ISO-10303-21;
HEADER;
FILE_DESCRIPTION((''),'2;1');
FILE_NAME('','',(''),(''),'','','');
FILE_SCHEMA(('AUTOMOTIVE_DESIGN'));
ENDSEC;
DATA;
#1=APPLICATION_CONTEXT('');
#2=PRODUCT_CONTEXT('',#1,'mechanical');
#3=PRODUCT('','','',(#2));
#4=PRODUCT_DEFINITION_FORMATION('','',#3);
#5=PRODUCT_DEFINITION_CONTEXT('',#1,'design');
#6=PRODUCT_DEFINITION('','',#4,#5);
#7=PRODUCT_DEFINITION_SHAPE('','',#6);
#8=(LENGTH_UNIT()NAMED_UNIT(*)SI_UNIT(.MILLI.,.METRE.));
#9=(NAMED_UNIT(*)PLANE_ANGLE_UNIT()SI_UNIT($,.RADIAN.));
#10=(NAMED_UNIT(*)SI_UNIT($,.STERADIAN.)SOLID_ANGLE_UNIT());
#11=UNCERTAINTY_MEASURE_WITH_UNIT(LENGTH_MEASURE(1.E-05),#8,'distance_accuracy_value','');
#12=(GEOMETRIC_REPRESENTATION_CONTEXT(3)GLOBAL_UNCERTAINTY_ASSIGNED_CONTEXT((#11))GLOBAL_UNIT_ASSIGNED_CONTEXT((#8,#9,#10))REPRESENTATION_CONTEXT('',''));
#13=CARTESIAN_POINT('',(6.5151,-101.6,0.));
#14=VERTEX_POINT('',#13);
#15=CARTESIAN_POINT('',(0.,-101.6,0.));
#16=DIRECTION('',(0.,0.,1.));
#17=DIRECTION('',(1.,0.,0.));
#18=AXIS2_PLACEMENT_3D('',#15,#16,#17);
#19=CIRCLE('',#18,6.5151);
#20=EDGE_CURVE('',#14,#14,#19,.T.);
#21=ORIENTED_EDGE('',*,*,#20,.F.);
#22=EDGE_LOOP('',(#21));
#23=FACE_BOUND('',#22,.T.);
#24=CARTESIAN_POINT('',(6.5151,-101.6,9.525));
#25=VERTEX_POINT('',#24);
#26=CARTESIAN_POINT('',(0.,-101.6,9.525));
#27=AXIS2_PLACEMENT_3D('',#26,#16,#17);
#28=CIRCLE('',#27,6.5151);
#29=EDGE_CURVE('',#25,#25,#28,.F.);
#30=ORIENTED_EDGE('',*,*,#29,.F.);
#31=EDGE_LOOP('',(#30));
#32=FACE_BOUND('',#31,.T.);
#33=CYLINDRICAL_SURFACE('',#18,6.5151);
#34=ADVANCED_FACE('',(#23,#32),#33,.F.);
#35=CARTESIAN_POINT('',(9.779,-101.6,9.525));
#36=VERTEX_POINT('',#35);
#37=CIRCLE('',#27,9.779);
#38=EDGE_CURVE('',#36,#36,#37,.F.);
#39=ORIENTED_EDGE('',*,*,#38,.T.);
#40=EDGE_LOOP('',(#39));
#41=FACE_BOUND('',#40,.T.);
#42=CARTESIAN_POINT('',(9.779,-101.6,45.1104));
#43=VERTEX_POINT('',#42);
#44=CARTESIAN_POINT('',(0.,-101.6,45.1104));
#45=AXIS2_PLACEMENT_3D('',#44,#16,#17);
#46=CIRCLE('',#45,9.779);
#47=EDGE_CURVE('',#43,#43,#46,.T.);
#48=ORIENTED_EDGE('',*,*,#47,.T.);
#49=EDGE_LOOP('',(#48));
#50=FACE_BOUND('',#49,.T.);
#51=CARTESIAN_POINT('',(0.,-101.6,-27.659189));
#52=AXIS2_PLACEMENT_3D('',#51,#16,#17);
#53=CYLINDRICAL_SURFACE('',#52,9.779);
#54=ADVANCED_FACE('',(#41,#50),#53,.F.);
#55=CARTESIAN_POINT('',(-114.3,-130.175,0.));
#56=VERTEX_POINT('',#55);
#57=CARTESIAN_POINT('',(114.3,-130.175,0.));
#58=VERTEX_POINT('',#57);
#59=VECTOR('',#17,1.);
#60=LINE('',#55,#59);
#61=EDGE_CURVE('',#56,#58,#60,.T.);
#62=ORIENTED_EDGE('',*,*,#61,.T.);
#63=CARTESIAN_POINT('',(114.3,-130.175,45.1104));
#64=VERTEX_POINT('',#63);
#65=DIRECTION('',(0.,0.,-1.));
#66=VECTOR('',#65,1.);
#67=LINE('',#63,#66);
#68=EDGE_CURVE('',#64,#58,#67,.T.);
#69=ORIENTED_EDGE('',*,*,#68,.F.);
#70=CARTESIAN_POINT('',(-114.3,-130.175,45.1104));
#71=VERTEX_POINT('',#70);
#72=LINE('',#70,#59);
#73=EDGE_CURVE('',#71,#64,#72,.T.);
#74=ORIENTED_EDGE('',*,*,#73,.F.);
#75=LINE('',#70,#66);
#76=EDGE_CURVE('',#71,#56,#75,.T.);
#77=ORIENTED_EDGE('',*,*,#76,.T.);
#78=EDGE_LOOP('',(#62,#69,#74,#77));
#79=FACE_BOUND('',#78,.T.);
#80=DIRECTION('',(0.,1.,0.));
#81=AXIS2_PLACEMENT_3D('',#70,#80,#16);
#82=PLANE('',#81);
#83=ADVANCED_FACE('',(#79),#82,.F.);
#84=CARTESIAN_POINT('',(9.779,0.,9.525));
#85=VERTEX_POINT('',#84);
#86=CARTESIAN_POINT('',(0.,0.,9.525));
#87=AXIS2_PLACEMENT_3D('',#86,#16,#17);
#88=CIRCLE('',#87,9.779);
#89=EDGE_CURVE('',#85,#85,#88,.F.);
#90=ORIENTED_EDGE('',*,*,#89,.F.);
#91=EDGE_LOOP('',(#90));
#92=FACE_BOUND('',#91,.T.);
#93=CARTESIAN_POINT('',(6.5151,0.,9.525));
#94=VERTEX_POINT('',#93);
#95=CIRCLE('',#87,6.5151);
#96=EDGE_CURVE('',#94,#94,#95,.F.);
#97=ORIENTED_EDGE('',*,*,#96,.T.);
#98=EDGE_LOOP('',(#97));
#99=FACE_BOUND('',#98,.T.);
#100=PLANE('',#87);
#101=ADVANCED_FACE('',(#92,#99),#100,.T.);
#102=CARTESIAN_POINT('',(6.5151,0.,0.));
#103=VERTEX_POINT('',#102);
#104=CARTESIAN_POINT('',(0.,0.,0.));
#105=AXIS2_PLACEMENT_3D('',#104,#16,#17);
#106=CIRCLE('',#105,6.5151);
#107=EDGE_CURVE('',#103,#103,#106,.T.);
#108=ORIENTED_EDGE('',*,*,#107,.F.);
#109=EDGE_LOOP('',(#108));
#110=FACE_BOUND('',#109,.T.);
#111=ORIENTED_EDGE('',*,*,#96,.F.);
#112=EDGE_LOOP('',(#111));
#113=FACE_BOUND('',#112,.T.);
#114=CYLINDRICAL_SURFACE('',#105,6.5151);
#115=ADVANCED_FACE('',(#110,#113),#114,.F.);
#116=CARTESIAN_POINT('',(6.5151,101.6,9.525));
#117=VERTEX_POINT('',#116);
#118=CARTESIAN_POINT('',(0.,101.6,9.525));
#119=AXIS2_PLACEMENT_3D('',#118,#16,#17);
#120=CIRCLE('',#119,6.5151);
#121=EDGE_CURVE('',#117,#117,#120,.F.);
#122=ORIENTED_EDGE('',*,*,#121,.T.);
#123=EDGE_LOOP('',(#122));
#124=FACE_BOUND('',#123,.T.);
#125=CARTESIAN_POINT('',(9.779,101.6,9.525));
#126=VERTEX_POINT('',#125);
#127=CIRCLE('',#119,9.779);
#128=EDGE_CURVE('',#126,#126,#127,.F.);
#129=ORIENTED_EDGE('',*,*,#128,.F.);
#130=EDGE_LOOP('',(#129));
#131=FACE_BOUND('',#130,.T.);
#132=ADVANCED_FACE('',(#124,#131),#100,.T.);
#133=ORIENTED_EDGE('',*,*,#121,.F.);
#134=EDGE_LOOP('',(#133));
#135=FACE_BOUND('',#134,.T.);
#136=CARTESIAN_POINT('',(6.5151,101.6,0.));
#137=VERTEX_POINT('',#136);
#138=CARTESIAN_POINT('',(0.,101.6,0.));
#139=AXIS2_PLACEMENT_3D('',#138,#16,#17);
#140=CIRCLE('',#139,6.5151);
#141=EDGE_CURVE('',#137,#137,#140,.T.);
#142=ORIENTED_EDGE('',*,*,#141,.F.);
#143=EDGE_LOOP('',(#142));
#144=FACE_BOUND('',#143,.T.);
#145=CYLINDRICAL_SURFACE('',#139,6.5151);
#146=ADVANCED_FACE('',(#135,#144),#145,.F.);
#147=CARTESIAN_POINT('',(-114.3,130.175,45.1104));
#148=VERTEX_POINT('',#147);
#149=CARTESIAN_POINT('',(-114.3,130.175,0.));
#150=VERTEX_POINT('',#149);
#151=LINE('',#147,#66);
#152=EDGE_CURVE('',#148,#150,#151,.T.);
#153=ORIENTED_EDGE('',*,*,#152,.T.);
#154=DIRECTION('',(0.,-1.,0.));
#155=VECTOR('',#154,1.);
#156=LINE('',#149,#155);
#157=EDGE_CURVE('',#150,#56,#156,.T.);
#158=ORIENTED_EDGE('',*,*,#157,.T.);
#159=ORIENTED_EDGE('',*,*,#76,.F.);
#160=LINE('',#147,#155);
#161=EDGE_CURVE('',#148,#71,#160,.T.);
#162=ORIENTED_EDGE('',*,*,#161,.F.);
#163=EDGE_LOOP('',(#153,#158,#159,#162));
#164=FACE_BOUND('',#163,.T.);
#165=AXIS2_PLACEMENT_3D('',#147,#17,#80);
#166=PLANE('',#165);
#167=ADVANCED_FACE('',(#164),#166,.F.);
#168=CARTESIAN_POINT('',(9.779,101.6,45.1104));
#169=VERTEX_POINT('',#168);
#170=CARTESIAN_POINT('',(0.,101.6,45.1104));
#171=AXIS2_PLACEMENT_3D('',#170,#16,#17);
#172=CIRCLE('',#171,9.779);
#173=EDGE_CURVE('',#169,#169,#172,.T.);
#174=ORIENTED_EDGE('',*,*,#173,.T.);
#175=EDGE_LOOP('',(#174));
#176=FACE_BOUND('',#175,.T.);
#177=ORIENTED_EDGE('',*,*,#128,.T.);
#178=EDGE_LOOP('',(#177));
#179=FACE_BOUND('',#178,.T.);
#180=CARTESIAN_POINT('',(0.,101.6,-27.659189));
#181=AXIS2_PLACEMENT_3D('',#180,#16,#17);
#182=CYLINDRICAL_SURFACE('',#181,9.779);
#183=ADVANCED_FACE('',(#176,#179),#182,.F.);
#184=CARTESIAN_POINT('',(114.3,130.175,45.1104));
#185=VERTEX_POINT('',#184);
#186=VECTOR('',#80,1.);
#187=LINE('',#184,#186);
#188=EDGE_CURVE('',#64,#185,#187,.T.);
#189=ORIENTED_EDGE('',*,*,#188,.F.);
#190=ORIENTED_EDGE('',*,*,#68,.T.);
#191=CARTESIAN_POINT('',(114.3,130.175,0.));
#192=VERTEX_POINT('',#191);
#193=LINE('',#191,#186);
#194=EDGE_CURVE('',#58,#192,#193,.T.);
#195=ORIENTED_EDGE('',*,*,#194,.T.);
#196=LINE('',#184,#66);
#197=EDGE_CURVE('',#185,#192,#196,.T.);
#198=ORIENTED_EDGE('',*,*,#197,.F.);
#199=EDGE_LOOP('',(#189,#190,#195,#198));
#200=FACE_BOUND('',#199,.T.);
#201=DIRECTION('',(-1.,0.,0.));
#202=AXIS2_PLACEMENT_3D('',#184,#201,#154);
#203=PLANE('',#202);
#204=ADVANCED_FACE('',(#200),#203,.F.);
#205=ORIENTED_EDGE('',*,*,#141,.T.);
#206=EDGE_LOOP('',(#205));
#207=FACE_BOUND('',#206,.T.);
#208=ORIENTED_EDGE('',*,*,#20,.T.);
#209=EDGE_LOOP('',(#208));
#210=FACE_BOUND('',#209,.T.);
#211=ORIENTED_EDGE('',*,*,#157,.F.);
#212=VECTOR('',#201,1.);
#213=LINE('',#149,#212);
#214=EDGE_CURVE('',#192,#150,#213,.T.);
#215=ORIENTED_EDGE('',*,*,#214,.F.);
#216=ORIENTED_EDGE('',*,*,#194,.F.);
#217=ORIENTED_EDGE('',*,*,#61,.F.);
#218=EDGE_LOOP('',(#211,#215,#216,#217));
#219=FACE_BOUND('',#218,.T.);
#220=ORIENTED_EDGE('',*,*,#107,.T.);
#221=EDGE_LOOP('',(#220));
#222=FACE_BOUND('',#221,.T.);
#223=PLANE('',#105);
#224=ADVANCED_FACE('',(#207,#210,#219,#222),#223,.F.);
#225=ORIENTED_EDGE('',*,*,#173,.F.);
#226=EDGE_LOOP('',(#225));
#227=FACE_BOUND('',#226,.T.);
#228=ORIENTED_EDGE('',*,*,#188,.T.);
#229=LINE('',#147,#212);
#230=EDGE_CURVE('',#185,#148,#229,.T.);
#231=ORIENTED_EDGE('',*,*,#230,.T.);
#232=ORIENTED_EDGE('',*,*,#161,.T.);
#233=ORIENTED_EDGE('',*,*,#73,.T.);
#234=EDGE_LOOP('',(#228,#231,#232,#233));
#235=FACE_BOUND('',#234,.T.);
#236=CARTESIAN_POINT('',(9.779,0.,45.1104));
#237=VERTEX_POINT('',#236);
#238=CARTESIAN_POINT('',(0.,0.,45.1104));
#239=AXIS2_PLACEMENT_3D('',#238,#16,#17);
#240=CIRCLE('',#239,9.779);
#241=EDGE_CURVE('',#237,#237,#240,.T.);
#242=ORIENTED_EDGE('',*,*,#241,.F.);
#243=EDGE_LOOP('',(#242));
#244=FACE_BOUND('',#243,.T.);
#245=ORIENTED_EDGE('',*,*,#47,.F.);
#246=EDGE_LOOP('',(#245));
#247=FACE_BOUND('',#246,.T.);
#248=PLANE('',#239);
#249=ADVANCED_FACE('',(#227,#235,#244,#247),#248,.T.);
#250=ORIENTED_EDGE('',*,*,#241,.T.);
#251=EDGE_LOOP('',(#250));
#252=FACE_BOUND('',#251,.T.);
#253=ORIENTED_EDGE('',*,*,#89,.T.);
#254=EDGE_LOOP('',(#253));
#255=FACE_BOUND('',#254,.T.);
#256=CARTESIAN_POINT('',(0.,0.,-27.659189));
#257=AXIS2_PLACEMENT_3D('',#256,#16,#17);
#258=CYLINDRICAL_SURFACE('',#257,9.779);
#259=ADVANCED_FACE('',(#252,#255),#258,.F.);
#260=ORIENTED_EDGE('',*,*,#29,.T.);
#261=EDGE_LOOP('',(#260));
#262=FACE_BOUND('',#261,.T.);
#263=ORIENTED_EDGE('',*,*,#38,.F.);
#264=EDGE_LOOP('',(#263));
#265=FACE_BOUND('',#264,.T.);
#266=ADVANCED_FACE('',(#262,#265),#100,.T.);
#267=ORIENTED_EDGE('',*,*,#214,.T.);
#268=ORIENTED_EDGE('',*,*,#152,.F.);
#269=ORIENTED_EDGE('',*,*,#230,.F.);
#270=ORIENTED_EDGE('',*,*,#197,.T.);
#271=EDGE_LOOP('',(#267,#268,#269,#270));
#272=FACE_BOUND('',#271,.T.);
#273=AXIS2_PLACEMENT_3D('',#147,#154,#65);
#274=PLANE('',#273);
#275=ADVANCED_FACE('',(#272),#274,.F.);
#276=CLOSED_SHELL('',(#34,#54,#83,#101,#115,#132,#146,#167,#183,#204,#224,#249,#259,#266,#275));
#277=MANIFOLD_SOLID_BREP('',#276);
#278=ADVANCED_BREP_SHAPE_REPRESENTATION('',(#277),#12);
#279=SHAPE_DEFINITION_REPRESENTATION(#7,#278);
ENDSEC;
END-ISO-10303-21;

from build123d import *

# Parameters (mm, degrees)
SKETCH1_W                = 228.6
SKETCH1_H                = 260.35
BOSS_EXTRUDE1_DEPTH      = 45.1104
SKETCH2_R                = 6.5151
HAAS_T_SLOT_HOLES_DEPTH  = 180.011085727
SKETCH3_R                = 9.779
HAAS_COUNTER_BORES_DEPTH = 35.5854


with BuildPart() as part:
    # Sketch1 → Boss-Extrude1 (new body)
    with BuildSketch(Plane.XY):
        Rectangle(SKETCH1_W, SKETCH1_H)
    extrude(amount=BOSS_EXTRUDE1_DEPTH)

    # Sketch2 → HAAS T-Slot Holes (cut, through all)
    with BuildSketch(Plane.XY.offset(45.1104)):
        Circle(SKETCH2_R)
        with Locations((0, 101.6)):
            Circle(SKETCH2_R)
        with Locations((0, -101.6)):
            Circle(SKETCH2_R)
    extrude(amount=-HAAS_T_SLOT_HOLES_DEPTH, mode=Mode.SUBTRACT)

    # Sketch3 → HAAS Counter Bores (cut)
    with BuildSketch(Plane.XY.offset(45.1104)):
        with Locations((0, 101.6)):
            Circle(SKETCH3_R)
        Circle(SKETCH3_R)
        with Locations((0, -101.6)):
            Circle(SKETCH3_R)
    extrude(amount=-HAAS_COUNTER_BORES_DEPTH, mode=Mode.SUBTRACT)


solid = part.part
